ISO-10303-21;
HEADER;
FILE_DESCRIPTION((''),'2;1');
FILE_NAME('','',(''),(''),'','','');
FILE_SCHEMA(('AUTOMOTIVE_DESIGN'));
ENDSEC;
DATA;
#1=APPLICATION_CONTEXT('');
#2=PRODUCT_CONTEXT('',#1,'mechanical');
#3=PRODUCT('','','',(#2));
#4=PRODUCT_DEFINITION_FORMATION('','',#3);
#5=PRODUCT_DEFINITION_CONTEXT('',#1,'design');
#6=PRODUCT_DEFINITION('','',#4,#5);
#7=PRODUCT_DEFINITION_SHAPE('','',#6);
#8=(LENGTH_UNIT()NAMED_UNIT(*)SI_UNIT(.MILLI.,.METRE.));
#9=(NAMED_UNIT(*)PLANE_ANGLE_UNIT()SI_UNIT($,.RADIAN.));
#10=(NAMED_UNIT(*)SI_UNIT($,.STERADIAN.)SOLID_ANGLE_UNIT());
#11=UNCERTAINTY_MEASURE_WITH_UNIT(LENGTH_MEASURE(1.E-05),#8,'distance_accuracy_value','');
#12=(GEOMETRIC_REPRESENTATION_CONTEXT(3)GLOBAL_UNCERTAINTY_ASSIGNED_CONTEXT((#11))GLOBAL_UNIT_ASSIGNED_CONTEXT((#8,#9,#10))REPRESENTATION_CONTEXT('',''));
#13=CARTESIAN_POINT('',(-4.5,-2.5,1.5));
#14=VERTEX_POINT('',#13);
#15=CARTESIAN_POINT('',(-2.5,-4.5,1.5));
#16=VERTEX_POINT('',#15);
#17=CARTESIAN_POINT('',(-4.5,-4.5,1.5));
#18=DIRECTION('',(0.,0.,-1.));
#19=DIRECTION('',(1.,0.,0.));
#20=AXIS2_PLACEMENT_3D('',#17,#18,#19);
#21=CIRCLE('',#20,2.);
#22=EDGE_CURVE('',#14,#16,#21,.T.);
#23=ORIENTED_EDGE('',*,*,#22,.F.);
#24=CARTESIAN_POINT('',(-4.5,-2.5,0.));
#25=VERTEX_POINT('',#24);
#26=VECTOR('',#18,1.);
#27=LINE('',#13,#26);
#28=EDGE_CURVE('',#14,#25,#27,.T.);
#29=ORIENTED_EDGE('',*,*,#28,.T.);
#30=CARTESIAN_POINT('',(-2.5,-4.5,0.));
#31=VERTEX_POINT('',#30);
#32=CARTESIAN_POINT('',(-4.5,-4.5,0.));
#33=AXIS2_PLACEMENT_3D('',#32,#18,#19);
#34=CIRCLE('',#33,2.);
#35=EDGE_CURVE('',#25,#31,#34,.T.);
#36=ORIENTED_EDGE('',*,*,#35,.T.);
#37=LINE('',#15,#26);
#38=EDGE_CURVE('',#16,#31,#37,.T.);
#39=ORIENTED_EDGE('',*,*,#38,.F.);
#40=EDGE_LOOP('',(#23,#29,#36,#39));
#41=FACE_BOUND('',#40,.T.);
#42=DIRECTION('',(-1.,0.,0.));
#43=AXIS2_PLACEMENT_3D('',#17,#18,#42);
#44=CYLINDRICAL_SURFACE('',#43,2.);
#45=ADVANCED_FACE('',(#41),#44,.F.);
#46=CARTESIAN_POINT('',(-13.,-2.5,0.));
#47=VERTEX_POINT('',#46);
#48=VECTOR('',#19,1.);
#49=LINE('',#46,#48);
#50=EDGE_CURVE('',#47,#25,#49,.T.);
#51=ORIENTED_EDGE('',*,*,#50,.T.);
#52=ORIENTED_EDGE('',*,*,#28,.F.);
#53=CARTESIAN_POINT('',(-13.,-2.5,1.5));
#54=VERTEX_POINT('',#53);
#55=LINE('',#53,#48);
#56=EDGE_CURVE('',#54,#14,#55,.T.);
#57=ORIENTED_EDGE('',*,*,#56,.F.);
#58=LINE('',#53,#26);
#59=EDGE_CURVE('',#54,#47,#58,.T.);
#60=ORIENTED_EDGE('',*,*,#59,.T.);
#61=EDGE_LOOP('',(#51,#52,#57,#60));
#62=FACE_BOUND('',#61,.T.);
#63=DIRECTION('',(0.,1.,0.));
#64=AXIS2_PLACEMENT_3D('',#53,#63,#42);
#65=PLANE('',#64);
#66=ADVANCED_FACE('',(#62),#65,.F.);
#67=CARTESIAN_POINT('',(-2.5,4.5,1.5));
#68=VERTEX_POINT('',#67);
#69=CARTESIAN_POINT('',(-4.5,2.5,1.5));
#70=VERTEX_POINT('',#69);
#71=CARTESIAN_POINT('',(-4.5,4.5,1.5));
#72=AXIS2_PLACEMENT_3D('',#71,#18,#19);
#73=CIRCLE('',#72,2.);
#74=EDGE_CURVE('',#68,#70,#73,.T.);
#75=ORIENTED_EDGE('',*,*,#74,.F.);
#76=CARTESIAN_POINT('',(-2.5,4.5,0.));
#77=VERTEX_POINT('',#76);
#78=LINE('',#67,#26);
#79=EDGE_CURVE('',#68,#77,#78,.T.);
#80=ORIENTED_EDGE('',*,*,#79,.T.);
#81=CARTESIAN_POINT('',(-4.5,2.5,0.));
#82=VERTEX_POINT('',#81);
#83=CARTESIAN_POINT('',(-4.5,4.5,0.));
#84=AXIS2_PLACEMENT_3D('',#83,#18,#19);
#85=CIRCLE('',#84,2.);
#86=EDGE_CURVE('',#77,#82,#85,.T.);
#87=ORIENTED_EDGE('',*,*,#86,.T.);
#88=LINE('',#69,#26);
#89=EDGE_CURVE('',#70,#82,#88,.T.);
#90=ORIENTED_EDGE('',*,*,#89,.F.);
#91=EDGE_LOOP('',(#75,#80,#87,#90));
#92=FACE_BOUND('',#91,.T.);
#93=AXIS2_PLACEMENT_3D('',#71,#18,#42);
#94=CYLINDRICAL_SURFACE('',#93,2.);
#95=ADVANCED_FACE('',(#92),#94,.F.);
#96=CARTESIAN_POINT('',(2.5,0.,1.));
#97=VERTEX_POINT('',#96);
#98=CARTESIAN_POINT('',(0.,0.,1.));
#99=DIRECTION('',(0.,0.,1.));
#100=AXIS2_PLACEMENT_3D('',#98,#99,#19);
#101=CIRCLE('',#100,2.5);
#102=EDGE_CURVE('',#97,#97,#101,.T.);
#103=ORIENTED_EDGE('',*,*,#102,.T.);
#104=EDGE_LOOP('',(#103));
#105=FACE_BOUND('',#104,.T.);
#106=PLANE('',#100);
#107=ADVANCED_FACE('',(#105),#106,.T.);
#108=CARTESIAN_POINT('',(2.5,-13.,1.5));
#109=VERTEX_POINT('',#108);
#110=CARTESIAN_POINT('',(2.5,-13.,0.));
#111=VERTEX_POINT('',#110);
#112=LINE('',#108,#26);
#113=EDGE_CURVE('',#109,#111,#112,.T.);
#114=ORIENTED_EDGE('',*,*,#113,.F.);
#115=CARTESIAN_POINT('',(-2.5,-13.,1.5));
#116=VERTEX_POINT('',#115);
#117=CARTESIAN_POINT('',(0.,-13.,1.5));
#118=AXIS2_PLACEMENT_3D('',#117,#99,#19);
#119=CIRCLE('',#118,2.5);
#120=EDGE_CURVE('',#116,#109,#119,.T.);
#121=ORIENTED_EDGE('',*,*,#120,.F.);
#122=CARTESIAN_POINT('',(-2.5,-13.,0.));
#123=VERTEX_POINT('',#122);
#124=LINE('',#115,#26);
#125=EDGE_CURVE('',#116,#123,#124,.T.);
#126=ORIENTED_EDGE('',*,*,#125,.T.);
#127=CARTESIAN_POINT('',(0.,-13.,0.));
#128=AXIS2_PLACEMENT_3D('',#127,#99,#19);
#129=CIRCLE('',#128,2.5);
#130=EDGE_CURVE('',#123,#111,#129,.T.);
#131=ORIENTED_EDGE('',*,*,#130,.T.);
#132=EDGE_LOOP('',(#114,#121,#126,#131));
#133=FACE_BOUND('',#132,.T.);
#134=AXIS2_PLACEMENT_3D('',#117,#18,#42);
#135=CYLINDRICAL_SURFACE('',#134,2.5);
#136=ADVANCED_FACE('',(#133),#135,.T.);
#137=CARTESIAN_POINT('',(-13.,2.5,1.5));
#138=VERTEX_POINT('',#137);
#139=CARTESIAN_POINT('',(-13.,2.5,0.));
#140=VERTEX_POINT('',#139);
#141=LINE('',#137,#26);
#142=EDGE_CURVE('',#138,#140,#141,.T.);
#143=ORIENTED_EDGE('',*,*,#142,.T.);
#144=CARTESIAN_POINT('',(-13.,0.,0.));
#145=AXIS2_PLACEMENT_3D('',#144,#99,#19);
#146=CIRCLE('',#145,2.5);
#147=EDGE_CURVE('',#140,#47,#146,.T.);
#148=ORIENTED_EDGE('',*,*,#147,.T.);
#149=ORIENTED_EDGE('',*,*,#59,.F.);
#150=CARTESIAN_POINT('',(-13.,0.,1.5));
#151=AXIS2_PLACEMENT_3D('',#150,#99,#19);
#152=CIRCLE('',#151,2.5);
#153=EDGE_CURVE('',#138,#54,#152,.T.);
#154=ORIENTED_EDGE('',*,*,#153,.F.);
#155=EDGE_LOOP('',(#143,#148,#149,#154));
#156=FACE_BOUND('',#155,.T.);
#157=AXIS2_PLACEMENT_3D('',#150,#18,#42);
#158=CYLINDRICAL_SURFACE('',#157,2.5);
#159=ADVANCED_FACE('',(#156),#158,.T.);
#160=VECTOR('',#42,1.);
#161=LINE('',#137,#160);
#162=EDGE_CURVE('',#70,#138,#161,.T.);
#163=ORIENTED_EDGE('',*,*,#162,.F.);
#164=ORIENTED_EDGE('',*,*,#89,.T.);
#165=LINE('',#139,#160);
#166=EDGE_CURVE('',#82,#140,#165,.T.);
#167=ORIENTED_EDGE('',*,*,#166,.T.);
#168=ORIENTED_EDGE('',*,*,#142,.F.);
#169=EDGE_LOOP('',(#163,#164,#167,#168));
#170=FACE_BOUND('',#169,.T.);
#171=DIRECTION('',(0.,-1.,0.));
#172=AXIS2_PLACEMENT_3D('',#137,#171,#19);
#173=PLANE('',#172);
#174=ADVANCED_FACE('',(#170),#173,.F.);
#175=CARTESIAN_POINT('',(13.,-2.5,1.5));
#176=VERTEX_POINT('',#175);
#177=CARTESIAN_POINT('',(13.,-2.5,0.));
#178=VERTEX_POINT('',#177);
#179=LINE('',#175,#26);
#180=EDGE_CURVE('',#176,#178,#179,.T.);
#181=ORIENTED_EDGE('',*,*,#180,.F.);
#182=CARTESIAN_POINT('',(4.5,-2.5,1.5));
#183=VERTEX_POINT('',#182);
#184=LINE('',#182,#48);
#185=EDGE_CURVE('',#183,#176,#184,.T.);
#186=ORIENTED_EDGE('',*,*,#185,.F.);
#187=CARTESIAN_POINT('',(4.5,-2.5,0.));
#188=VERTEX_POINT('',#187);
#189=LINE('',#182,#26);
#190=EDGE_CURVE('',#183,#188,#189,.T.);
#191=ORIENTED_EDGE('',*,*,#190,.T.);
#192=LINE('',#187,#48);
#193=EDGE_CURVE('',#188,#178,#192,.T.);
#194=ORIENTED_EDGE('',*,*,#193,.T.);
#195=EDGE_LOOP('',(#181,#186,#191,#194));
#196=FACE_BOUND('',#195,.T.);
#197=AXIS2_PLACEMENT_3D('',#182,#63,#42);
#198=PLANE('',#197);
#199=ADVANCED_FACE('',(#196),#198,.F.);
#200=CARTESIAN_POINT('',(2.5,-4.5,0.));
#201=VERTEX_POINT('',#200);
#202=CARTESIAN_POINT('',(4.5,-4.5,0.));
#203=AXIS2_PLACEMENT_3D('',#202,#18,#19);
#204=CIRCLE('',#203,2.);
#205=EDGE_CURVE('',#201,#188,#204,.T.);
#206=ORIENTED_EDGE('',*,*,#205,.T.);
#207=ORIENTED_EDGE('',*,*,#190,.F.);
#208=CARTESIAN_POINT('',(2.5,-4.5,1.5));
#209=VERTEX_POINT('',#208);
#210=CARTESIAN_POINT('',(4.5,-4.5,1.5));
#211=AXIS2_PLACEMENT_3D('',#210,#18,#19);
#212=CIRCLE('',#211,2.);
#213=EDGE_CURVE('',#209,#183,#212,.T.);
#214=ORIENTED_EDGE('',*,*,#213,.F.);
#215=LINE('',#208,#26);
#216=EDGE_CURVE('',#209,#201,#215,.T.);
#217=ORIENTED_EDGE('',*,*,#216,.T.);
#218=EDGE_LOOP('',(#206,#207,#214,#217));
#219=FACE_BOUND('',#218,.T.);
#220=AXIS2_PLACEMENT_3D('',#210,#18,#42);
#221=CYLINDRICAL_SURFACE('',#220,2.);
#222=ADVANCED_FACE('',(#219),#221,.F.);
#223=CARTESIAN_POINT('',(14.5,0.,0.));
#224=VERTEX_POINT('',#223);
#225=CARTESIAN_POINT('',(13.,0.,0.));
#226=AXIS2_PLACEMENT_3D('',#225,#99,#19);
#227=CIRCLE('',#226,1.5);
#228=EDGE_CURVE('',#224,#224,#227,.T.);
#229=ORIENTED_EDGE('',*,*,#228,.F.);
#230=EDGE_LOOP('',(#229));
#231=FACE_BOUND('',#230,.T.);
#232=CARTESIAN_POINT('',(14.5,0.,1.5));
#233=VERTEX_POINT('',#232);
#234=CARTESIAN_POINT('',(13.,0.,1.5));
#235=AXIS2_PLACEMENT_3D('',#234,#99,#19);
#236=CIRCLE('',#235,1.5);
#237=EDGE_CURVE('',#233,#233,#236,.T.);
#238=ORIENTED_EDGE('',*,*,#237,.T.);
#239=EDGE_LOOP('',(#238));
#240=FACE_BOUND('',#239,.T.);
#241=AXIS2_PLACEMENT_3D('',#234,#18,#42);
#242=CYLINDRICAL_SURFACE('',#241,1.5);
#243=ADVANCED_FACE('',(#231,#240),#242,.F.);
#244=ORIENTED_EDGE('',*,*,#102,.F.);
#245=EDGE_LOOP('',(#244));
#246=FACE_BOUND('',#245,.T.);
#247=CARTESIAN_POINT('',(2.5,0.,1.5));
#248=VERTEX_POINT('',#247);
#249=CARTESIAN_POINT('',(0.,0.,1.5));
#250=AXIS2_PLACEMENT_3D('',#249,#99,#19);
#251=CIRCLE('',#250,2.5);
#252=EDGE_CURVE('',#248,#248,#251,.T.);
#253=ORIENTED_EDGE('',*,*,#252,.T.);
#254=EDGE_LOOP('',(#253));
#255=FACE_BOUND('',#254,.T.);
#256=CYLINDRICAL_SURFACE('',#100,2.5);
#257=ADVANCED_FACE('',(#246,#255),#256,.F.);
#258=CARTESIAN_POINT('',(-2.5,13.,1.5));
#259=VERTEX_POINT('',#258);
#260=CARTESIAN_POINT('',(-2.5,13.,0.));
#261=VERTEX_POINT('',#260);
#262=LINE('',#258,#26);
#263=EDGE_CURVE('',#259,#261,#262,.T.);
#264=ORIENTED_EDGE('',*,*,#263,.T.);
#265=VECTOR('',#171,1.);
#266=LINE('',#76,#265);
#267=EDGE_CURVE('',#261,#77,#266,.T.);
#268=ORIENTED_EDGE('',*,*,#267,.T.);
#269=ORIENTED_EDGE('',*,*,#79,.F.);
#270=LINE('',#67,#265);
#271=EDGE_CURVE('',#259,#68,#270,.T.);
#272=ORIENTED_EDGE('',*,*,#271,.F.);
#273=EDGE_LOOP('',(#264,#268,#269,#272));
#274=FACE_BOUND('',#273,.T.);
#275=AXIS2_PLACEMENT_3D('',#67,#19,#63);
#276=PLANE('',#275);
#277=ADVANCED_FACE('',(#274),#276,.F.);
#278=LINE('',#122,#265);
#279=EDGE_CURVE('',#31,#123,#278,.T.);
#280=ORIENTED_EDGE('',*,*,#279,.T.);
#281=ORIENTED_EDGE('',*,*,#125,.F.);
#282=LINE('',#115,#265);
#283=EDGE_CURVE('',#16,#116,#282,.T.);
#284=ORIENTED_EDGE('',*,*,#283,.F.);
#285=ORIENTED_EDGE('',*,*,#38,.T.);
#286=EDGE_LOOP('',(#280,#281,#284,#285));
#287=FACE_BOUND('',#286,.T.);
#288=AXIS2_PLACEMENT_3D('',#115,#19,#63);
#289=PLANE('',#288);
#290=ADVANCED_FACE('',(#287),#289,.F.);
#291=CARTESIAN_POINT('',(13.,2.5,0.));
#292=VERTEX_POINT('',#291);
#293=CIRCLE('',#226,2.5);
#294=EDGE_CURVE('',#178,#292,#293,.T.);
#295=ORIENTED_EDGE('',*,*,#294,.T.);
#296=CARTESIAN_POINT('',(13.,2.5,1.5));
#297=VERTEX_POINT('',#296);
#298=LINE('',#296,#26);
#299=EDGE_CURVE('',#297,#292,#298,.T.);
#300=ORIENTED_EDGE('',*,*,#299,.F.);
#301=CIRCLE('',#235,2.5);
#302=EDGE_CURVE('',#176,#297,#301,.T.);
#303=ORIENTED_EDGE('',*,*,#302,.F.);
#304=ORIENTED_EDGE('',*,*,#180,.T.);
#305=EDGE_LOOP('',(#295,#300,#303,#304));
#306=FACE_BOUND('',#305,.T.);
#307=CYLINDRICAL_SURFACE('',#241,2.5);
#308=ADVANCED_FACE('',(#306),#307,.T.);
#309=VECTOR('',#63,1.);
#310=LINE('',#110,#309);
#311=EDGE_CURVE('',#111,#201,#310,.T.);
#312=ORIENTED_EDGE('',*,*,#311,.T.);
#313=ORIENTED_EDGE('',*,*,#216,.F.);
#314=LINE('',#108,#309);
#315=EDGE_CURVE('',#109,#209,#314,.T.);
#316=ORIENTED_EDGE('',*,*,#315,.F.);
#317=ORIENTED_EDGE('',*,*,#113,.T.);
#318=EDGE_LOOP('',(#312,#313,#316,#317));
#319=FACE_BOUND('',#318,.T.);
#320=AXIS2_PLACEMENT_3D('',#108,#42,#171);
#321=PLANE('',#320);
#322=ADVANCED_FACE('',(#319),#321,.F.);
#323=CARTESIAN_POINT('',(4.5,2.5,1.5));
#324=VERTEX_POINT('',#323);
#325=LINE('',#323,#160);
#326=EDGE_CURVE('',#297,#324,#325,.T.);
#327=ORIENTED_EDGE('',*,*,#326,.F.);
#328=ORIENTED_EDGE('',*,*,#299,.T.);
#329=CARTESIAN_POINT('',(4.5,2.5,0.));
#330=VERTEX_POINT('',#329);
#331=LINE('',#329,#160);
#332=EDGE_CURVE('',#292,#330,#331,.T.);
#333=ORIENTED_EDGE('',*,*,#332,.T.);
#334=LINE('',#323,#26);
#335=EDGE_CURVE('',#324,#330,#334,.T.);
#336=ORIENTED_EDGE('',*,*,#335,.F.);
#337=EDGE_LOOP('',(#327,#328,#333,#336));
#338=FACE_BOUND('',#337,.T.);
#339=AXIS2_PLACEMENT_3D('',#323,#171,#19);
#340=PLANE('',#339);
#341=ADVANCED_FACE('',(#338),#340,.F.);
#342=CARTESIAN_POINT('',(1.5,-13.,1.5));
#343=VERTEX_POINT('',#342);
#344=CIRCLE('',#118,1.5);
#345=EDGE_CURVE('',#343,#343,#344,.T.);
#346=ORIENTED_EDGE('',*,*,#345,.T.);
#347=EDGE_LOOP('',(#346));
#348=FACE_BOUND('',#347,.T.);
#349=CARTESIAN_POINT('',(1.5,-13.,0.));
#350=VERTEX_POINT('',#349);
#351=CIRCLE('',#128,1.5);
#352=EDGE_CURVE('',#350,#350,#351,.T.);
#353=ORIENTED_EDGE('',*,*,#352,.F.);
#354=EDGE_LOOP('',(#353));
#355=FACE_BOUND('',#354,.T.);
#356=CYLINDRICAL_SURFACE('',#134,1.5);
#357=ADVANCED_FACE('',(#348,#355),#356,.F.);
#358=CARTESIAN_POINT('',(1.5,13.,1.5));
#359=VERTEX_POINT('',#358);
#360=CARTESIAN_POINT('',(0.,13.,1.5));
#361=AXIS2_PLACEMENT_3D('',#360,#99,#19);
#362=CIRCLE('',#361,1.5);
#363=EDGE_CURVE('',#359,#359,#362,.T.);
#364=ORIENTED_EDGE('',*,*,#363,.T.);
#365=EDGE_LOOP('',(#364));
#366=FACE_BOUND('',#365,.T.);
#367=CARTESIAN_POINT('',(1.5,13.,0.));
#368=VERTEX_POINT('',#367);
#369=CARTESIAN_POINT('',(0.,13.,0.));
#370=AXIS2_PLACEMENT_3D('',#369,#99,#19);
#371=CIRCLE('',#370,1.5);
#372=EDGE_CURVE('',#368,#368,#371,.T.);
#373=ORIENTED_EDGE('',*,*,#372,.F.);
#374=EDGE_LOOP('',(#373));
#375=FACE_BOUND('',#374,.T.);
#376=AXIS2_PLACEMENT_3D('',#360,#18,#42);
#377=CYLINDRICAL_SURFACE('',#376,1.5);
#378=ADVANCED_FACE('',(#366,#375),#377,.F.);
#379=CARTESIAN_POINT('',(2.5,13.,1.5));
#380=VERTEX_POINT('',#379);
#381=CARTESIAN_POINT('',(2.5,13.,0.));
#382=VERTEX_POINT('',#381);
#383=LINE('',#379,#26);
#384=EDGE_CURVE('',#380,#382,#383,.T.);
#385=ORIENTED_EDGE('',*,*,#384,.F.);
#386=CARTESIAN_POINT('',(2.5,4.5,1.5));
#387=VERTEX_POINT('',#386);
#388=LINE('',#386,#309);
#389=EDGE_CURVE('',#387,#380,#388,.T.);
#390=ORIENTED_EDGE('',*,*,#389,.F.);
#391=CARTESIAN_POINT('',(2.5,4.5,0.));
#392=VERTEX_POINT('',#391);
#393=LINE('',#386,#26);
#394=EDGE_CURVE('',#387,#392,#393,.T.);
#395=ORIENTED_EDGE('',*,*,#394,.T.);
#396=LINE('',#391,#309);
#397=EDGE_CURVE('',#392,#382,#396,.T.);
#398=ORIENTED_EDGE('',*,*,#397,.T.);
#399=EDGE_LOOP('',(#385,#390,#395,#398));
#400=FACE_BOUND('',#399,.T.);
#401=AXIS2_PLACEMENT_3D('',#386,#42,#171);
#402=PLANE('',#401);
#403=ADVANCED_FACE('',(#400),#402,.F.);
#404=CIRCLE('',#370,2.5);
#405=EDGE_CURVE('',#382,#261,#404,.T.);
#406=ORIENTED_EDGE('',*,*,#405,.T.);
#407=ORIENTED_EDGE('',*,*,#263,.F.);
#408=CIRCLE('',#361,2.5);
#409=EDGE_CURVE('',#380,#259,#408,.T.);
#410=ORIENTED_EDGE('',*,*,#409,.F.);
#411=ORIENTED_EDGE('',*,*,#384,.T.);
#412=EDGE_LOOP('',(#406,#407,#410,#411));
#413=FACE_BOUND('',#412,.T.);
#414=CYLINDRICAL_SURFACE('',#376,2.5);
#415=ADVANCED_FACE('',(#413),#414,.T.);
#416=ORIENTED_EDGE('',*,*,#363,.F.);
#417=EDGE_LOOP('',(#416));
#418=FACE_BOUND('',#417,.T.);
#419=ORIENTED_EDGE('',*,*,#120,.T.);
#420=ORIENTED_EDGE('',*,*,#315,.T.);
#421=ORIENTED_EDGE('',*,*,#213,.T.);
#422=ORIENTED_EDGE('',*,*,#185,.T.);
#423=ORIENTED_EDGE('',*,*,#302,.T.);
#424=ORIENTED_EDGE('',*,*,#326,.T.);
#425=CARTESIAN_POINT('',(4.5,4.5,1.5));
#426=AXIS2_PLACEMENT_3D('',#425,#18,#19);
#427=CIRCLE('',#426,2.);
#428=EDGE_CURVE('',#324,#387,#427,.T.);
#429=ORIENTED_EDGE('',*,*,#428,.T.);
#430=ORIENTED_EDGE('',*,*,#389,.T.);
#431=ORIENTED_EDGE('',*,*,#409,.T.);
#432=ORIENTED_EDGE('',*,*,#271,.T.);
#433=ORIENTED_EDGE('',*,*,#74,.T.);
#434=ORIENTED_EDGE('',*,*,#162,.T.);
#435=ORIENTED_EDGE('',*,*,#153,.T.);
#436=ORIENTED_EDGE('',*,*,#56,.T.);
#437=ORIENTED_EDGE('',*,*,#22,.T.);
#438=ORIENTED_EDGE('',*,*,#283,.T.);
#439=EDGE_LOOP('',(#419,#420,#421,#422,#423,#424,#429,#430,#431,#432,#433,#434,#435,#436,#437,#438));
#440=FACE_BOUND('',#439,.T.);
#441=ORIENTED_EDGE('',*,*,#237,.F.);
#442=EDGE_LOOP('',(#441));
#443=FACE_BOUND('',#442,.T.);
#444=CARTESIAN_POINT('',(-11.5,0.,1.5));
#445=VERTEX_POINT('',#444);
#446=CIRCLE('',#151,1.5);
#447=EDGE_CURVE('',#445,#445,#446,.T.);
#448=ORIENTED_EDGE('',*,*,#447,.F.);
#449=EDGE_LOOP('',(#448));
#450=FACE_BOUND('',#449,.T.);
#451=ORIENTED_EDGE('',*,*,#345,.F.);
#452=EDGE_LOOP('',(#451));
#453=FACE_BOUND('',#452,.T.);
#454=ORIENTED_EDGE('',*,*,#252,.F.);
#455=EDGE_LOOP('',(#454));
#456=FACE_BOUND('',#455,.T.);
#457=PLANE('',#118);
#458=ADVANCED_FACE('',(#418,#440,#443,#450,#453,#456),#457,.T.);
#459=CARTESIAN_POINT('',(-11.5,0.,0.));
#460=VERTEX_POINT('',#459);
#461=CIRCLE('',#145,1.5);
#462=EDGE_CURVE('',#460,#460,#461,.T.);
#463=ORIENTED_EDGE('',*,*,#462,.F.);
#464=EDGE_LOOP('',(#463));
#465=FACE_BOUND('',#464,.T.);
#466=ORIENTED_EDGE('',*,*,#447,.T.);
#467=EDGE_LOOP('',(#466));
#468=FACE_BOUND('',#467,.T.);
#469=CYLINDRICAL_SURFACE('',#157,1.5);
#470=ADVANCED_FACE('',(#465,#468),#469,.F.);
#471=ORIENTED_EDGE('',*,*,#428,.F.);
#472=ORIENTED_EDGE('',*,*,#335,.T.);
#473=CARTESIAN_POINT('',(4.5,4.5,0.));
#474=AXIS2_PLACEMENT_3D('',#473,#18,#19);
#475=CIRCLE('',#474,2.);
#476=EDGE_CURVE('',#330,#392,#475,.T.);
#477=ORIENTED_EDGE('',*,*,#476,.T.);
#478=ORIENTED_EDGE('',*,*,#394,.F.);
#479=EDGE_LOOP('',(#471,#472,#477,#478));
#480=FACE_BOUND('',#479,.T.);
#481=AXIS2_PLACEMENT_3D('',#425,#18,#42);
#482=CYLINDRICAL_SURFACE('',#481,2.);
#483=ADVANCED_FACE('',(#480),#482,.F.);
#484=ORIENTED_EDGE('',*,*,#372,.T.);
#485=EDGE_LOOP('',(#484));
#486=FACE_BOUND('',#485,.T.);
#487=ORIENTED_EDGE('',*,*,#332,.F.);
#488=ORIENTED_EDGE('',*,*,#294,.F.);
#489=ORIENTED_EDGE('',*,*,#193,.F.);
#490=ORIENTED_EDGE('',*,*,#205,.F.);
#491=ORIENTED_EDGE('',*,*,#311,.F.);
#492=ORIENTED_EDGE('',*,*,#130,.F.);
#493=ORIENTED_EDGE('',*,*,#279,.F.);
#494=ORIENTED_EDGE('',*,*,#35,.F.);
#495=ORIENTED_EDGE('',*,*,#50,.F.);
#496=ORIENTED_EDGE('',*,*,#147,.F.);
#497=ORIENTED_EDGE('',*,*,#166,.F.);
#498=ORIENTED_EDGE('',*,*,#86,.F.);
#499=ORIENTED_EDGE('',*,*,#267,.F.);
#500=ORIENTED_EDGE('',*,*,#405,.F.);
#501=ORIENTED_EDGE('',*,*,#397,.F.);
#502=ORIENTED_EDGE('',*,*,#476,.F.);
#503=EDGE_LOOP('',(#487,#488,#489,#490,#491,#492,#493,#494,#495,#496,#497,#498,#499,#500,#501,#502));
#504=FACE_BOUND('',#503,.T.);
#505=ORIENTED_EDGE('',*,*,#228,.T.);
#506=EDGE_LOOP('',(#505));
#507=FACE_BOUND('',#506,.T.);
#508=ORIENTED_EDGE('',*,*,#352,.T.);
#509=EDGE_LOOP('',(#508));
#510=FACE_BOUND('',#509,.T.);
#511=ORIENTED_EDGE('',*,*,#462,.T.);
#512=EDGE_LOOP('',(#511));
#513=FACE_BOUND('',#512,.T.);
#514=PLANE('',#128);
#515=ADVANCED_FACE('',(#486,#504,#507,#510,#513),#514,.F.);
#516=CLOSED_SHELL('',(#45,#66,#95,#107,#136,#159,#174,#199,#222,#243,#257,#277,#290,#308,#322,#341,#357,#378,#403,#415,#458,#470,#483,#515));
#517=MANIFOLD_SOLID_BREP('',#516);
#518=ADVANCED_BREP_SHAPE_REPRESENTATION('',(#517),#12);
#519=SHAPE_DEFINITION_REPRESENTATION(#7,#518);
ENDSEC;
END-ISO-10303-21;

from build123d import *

# Parameters (mm, degrees)
IZIM1_R                     = 1.5
Y_KSEKLIK_EKSTR_ZYON1_DEPTH = 1.5
IZIM2_R                     = 2.5
KES_EKSTR_ZYON1_DEPTH       = 0.5


with BuildPart() as part:
    # Çizim1 → Yükseklik-Ekstrüzyon1 (new body)
    with BuildSketch(Plane.XY):
        with BuildLine():
            Line((-2.5, -13), (-2.5, -4.5))
            ThreePointArc((-2.5, -4.5), (-3.085786438, -3.085786438), (-4.5, -2.5))
            Line((-4.5, -2.5), (-13, -2.5))
            ThreePointArc((-13, -2.5), (-15.5, 0), (-13, 2.5))
            Line((-13, 2.5), (-4.5, 2.5))
            ThreePointArc((-4.5, 2.5), (-3.085786438, 3.085786438), (-2.5, 4.5))
            Line((-2.5, 4.5), (-2.5, 13))
            ThreePointArc((-2.5, 13), (0, 15.5), (2.5, 13))
            Line((2.5, 13), (2.5, 4.5))
            ThreePointArc((2.5, 4.5), (3.085786438, 3.085786438), (4.5, 2.5))
            Line((4.5, 2.5), (13, 2.5))
            ThreePointArc((13, 2.5), (15.5, 0), (13, -2.5))
            Line((13, -2.5), (4.5, -2.5))
            ThreePointArc((4.5, -2.5), (3.085786438, -3.085786438), (2.5, -4.5))
            Line((2.5, -4.5), (2.5, -13))
            ThreePointArc((2.5, -13), (0, -15.5), (-2.5, -13))
        make_face()
        with Locations((0, 13)):
            Circle(IZIM1_R, mode=Mode.SUBTRACT)
        with Locations((13, 0)):
            Circle(IZIM1_R, mode=Mode.SUBTRACT)
        with Locations((0, -13)):
            Circle(IZIM1_R, mode=Mode.SUBTRACT)
        with Locations((-13, 0)):
            Circle(IZIM1_R, mode=Mode.SUBTRACT)
    extrude(amount=Y_KSEKLIK_EKSTR_ZYON1_DEPTH)

    # Çizim2 → Kes-Ekstrüzyon1 (cut)
    with BuildSketch(Plane.XY.offset(1.5)):
        Circle(IZIM2_R)
    extrude(amount=-KES_EKSTR_ZYON1_DEPTH, mode=Mode.SUBTRACT)


solid = part.part
